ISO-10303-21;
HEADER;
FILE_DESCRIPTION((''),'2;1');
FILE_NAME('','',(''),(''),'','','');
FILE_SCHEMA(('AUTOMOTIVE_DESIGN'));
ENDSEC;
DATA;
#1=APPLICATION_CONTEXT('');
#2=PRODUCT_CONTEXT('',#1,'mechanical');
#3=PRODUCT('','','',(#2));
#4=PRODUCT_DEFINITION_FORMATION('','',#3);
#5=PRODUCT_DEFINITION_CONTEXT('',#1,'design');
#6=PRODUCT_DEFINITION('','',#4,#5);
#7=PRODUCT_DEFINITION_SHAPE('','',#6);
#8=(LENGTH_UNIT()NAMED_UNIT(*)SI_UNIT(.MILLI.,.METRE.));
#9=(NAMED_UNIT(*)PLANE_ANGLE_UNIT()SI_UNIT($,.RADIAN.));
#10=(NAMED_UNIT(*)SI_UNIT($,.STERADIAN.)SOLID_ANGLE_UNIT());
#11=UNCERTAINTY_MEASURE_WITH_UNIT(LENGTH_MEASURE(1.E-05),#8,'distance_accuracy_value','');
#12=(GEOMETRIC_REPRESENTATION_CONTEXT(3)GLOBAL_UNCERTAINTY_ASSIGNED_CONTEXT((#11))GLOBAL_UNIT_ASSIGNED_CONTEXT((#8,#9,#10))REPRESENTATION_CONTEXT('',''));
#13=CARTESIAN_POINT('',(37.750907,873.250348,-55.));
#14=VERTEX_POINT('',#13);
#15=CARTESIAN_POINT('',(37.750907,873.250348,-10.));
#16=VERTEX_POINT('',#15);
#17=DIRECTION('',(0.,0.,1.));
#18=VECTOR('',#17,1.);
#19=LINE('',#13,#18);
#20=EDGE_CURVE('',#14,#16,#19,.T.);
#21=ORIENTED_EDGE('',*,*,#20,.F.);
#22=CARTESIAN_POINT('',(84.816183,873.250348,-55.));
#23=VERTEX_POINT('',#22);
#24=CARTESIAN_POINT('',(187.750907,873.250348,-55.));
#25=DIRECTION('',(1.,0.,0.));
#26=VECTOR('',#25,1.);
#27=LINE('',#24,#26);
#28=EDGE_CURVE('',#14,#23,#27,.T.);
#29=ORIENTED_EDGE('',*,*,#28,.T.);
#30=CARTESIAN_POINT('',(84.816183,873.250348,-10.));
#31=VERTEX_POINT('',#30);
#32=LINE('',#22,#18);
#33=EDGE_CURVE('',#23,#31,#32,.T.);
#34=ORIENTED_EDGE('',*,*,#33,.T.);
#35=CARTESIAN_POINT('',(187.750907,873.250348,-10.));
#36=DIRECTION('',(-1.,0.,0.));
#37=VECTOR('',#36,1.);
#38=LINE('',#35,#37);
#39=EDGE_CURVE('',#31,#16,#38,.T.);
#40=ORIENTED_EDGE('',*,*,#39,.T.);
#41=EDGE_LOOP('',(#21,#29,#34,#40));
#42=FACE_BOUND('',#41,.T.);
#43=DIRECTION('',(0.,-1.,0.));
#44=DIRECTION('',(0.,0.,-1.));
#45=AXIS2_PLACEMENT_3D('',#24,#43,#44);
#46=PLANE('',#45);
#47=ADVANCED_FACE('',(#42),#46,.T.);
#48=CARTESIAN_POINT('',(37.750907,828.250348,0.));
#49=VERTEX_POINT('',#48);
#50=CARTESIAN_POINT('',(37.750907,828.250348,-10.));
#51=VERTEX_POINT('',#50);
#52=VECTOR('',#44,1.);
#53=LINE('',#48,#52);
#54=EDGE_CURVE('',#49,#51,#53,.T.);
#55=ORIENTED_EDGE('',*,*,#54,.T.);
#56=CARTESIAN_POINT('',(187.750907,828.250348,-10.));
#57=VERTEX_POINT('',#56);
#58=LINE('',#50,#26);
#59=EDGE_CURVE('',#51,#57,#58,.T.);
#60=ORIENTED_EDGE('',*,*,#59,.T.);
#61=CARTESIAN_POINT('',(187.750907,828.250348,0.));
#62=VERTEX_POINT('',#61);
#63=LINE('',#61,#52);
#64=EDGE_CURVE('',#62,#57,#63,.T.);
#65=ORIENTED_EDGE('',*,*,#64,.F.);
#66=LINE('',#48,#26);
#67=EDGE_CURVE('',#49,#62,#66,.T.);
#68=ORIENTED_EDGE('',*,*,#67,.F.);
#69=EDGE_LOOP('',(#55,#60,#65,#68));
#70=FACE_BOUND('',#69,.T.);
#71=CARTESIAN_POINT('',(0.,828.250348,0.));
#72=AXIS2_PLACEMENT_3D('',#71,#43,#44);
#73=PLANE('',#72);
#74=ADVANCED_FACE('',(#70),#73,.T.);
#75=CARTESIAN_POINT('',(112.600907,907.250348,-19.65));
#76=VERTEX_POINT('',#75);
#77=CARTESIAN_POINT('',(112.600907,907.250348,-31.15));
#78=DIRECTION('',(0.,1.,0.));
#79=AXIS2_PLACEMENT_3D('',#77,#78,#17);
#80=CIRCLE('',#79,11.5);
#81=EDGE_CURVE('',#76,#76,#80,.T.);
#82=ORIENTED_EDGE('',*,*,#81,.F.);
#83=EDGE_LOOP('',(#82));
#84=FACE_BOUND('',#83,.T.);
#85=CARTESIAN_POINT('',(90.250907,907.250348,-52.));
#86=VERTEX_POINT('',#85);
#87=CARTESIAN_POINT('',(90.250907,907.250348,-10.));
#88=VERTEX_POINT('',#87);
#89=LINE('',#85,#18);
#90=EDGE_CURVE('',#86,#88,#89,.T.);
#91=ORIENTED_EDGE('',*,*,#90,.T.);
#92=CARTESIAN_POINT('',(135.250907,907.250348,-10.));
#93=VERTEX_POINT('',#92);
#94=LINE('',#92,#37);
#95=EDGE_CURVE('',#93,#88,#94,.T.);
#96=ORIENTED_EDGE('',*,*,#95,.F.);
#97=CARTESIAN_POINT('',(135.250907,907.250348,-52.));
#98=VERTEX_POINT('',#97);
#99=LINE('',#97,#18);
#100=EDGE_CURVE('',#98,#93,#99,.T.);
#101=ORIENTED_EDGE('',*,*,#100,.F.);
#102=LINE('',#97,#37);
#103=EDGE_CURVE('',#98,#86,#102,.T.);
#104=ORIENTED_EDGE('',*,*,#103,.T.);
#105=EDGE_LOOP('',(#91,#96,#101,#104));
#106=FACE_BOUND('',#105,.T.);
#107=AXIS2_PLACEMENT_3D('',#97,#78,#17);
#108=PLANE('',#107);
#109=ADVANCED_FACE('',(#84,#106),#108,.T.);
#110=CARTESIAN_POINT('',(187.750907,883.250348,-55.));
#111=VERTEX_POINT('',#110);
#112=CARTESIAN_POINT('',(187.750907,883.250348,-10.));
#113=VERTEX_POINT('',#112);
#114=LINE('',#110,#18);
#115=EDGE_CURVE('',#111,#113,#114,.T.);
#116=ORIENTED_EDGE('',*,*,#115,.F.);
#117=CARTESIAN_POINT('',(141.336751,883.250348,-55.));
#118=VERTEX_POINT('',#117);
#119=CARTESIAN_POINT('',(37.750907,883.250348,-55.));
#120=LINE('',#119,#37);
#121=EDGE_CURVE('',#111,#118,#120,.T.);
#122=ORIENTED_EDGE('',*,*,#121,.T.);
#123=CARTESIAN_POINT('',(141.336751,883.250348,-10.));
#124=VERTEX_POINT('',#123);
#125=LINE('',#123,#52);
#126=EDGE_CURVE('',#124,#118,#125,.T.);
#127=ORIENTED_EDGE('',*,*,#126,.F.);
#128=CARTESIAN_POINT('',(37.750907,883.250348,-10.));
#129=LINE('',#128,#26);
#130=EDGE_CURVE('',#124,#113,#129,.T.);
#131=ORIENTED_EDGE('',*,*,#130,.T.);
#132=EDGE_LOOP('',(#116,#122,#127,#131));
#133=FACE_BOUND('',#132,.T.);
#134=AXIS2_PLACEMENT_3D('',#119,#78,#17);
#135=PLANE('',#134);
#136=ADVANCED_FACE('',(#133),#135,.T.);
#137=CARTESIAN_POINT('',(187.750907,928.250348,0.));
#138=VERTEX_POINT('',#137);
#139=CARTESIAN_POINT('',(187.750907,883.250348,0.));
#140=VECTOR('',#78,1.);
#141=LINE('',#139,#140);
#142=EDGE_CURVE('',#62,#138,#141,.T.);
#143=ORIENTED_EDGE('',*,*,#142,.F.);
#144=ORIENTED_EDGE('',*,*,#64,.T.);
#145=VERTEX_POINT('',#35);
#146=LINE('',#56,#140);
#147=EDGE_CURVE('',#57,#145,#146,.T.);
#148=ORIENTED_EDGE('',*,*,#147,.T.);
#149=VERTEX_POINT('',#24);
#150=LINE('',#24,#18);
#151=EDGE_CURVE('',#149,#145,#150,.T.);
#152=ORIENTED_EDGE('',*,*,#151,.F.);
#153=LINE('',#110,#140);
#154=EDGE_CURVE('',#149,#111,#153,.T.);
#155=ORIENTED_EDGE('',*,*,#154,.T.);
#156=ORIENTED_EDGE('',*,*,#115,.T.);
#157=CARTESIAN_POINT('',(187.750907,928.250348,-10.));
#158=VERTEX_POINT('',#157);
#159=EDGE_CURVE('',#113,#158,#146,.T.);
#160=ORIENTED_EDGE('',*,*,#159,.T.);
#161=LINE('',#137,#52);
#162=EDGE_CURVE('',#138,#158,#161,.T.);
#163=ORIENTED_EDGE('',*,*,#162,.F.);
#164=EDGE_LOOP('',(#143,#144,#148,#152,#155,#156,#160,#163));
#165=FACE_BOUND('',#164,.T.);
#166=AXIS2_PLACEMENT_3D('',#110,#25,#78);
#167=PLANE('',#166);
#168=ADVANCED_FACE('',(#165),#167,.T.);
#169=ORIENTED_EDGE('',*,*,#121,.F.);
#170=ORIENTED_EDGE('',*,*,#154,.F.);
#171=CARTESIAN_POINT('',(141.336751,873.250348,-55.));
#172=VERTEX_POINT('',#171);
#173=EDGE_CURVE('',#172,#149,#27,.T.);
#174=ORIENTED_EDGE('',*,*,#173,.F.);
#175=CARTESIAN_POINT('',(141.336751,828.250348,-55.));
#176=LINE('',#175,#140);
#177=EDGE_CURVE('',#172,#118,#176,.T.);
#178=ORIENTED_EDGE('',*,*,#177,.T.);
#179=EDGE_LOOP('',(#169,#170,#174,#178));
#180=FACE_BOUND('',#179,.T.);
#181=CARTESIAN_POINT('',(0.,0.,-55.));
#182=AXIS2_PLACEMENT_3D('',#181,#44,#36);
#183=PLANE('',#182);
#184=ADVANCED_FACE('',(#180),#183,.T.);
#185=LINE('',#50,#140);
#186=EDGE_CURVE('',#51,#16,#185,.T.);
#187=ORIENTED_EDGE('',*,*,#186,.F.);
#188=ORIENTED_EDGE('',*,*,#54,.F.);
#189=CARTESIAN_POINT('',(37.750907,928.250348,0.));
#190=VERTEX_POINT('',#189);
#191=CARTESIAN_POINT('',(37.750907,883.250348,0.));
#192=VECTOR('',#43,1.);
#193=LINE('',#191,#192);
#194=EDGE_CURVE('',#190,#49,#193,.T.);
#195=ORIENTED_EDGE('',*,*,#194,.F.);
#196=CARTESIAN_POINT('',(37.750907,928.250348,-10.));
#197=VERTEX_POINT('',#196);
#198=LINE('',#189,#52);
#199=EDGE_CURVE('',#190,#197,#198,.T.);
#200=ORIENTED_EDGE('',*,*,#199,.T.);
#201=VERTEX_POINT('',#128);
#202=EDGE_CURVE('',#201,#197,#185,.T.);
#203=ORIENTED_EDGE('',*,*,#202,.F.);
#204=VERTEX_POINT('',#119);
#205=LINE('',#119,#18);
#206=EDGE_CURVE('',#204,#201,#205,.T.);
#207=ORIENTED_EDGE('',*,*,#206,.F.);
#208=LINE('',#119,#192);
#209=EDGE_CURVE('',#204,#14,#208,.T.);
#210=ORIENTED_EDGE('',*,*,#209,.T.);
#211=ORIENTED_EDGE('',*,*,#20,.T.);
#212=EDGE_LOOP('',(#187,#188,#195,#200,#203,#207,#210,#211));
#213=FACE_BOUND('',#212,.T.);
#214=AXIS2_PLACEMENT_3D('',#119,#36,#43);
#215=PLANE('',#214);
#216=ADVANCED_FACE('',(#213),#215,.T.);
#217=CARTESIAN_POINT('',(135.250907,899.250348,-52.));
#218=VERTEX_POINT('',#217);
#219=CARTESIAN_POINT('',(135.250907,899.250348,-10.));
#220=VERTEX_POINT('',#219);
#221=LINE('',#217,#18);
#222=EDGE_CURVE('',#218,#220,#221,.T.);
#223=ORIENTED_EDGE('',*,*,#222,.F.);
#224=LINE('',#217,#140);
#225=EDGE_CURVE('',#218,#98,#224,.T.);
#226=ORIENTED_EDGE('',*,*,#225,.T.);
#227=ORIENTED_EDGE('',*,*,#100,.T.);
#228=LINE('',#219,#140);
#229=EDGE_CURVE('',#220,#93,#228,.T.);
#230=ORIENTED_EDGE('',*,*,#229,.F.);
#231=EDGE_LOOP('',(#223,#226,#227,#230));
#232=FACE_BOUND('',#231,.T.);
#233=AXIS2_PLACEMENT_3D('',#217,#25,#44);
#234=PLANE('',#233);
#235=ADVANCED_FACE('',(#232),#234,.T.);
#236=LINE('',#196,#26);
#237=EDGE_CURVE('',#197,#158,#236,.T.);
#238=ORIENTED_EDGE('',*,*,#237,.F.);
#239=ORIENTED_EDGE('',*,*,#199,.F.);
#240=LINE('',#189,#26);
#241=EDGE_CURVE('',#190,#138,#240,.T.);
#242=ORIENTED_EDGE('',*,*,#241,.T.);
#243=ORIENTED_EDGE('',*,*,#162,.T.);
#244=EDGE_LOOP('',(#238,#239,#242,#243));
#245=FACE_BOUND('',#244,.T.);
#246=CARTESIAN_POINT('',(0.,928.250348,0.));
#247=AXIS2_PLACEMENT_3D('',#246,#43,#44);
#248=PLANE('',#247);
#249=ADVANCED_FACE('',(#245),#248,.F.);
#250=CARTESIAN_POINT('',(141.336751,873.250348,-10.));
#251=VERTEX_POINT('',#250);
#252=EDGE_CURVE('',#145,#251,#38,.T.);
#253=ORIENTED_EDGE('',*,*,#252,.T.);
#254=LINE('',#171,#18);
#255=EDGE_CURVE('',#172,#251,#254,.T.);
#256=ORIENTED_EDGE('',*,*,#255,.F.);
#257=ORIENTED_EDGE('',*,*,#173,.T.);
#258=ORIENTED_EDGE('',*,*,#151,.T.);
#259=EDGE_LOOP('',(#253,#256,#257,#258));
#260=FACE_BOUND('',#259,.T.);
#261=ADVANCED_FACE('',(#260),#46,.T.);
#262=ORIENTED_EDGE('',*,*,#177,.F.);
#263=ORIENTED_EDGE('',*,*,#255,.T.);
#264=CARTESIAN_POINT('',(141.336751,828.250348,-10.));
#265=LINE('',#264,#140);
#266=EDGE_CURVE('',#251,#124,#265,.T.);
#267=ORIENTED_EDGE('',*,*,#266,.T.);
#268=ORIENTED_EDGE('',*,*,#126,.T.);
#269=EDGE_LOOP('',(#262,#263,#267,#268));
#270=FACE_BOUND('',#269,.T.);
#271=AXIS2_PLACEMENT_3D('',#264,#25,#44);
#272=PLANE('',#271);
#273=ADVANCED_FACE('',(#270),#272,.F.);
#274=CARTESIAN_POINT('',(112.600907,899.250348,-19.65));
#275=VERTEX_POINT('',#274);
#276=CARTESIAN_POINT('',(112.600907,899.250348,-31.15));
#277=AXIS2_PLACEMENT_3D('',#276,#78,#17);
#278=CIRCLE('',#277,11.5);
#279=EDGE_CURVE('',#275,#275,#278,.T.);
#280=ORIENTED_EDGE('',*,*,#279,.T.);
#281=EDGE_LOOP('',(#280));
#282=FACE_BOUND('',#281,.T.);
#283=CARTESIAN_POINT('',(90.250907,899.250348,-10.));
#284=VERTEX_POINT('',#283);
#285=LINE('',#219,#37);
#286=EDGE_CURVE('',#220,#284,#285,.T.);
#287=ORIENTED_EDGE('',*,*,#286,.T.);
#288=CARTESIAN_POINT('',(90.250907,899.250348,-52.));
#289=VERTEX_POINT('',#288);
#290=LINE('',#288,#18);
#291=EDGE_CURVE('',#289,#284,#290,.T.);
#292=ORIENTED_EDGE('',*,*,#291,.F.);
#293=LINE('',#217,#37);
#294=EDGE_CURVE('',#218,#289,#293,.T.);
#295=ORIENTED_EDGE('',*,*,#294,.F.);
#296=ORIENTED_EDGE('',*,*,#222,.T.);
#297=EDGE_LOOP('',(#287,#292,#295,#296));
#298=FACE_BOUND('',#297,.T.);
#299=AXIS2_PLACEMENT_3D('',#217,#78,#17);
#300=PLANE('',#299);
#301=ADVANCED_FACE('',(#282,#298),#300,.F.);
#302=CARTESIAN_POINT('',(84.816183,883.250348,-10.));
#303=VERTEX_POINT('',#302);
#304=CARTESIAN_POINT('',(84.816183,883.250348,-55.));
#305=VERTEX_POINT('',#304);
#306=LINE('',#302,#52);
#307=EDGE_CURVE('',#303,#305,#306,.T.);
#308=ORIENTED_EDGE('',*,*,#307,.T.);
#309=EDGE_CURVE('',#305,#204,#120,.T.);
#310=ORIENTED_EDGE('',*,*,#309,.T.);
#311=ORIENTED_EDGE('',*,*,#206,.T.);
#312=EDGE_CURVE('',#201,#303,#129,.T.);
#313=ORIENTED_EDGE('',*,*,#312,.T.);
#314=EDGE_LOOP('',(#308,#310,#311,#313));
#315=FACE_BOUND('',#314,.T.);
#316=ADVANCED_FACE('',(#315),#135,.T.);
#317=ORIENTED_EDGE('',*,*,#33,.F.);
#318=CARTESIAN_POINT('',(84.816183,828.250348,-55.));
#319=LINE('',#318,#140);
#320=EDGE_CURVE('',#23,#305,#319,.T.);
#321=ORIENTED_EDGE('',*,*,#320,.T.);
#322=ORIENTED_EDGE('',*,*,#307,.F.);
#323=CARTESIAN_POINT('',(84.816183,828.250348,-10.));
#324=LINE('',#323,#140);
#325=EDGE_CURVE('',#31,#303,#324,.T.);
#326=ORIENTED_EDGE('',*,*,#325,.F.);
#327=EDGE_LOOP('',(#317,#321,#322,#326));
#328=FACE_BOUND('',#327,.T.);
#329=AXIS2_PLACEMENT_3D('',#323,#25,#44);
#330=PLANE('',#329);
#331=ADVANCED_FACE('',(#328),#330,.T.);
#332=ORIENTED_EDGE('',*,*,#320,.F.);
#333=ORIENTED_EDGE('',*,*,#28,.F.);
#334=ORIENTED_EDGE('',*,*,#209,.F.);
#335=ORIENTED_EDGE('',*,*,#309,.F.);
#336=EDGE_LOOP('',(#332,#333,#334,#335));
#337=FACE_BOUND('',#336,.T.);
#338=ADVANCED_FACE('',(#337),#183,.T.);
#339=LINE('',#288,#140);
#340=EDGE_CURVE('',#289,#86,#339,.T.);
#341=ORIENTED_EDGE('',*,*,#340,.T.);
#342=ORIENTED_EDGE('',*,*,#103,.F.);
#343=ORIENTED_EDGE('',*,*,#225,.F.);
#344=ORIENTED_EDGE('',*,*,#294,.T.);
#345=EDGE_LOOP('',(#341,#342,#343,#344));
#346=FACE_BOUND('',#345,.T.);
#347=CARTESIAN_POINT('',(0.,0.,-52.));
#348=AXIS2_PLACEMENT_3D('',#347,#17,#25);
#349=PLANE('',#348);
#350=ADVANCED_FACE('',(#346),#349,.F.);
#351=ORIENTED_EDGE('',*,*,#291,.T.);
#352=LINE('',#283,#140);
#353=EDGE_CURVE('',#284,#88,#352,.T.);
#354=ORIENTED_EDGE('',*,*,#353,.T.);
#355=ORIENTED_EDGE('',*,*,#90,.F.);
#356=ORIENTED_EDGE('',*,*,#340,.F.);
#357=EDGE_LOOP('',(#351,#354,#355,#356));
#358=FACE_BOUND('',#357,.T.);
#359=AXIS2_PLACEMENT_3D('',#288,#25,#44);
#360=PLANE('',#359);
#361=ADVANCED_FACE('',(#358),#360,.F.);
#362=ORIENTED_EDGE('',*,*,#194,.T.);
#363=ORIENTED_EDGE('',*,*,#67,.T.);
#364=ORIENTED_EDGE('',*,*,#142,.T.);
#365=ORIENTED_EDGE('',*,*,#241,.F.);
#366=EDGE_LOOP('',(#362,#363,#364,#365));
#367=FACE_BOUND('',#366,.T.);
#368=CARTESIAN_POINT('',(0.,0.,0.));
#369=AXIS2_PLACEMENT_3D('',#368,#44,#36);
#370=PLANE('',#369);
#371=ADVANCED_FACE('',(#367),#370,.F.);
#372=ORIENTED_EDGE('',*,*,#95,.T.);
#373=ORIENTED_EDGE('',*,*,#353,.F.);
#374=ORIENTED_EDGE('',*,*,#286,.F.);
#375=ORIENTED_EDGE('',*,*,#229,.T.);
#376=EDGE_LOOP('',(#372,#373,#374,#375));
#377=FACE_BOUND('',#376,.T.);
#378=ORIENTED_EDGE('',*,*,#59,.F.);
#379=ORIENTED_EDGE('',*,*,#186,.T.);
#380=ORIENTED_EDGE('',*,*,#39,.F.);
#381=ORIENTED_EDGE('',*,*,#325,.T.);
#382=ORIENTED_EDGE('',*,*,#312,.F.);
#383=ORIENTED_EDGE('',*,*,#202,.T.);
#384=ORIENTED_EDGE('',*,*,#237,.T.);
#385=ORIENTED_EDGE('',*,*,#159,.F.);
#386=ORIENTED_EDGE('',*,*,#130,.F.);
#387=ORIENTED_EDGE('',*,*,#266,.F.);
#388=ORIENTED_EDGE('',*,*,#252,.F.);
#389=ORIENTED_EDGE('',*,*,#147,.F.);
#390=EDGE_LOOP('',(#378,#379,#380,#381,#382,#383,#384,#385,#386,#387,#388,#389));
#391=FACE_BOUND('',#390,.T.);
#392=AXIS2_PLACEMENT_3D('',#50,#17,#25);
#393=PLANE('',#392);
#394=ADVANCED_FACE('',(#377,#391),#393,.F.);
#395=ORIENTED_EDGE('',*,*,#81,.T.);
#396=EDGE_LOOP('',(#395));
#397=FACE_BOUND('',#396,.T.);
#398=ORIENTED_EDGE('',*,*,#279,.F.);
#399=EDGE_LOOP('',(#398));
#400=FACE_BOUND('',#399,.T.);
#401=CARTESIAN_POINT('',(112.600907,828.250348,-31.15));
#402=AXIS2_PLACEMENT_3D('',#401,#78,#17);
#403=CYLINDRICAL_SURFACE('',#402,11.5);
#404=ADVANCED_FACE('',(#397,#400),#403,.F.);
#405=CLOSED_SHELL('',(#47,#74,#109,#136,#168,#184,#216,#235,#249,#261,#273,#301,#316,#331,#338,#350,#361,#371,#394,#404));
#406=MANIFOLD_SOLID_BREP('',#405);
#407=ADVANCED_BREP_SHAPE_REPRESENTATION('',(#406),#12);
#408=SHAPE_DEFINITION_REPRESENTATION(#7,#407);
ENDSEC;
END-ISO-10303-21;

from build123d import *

# Parameters (mm, degrees)
SKETCH1_W                = 150
SKETCH1_H                = 10
BOSS_EXTRUDE1_DEPTH      = 55
SKETCH2_W                = 150
SKETCH2_H                = 10
BOSS_EXTRUDE2_DEPTH      = 45
BOSS_EXTRUDE2_DEPTH_BACK = 55
SKETCH3_W                = 45
SKETCH3_H                = 8
BOSS_EXTRUDE3_DEPTH      = 42
SKETCH4_W                = 56.520568853
SKETCH4_H                = 45
CUT_EXTRUDE1_DEPTH       = 56
SKETCH5_R                = 11.5
CUT_EXTRUDE2_DEPTH       = 80


with BuildPart() as part:
    # Sketch1 → Boss-Extrude1 (new body)
    with BuildSketch(Plane.XY):
        with Locations((112.750906932, 878.250348045)):
            Rectangle(SKETCH1_W, SKETCH1_H)
    extrude(amount=-BOSS_EXTRUDE1_DEPTH)

    # Sketch2 → Boss-Extrude2 (add, two sides)
    with BuildSketch(Plane(origin=(0, 883.250348045, 0), x_dir=(1, 0, 0), z_dir=(0, 1, 0))) as boss_extrude2_sk:
        with Locations((112.750906932, 5)):
            Rectangle(SKETCH2_W, SKETCH2_H)
    extrude(amount=BOSS_EXTRUDE2_DEPTH)
    extrude(boss_extrude2_sk.sketch, amount=-BOSS_EXTRUDE2_DEPTH_BACK)

    # Sketch3 → Boss-Extrude3 (add)
    with BuildSketch(Plane(origin=(0, 0, -10), x_dir=(-1, 0, 0), z_dir=(0, 0, -1))):
        with Locations((-112.750906932, 903.250348045)):
            Rectangle(SKETCH3_W, SKETCH3_H)
    extrude(amount=BOSS_EXTRUDE3_DEPTH)

    # Sketch4 → Cut-Extrude1 (cut, through all)
    with BuildSketch(Plane(origin=(0, 883.250348045, 0), x_dir=(1, 0, 0), z_dir=(0, 1, 0))):
        with Locations((113.076467001, 32.5)):
            Rectangle(SKETCH4_W, SKETCH4_H)
    extrude(amount=-CUT_EXTRUDE1_DEPTH, mode=Mode.SUBTRACT)

    # Sketch5 → Cut-Extrude2 (cut, through all)
    with BuildSketch(Plane(origin=(0, 907.250348045, 0), x_dir=(1, 0, 0), z_dir=(0, 1, 0))):
        with Locations((112.600906932, 31.15)):
            Circle(SKETCH5_R)
    extrude(amount=-CUT_EXTRUDE2_DEPTH, mode=Mode.SUBTRACT)


solid = part.part
